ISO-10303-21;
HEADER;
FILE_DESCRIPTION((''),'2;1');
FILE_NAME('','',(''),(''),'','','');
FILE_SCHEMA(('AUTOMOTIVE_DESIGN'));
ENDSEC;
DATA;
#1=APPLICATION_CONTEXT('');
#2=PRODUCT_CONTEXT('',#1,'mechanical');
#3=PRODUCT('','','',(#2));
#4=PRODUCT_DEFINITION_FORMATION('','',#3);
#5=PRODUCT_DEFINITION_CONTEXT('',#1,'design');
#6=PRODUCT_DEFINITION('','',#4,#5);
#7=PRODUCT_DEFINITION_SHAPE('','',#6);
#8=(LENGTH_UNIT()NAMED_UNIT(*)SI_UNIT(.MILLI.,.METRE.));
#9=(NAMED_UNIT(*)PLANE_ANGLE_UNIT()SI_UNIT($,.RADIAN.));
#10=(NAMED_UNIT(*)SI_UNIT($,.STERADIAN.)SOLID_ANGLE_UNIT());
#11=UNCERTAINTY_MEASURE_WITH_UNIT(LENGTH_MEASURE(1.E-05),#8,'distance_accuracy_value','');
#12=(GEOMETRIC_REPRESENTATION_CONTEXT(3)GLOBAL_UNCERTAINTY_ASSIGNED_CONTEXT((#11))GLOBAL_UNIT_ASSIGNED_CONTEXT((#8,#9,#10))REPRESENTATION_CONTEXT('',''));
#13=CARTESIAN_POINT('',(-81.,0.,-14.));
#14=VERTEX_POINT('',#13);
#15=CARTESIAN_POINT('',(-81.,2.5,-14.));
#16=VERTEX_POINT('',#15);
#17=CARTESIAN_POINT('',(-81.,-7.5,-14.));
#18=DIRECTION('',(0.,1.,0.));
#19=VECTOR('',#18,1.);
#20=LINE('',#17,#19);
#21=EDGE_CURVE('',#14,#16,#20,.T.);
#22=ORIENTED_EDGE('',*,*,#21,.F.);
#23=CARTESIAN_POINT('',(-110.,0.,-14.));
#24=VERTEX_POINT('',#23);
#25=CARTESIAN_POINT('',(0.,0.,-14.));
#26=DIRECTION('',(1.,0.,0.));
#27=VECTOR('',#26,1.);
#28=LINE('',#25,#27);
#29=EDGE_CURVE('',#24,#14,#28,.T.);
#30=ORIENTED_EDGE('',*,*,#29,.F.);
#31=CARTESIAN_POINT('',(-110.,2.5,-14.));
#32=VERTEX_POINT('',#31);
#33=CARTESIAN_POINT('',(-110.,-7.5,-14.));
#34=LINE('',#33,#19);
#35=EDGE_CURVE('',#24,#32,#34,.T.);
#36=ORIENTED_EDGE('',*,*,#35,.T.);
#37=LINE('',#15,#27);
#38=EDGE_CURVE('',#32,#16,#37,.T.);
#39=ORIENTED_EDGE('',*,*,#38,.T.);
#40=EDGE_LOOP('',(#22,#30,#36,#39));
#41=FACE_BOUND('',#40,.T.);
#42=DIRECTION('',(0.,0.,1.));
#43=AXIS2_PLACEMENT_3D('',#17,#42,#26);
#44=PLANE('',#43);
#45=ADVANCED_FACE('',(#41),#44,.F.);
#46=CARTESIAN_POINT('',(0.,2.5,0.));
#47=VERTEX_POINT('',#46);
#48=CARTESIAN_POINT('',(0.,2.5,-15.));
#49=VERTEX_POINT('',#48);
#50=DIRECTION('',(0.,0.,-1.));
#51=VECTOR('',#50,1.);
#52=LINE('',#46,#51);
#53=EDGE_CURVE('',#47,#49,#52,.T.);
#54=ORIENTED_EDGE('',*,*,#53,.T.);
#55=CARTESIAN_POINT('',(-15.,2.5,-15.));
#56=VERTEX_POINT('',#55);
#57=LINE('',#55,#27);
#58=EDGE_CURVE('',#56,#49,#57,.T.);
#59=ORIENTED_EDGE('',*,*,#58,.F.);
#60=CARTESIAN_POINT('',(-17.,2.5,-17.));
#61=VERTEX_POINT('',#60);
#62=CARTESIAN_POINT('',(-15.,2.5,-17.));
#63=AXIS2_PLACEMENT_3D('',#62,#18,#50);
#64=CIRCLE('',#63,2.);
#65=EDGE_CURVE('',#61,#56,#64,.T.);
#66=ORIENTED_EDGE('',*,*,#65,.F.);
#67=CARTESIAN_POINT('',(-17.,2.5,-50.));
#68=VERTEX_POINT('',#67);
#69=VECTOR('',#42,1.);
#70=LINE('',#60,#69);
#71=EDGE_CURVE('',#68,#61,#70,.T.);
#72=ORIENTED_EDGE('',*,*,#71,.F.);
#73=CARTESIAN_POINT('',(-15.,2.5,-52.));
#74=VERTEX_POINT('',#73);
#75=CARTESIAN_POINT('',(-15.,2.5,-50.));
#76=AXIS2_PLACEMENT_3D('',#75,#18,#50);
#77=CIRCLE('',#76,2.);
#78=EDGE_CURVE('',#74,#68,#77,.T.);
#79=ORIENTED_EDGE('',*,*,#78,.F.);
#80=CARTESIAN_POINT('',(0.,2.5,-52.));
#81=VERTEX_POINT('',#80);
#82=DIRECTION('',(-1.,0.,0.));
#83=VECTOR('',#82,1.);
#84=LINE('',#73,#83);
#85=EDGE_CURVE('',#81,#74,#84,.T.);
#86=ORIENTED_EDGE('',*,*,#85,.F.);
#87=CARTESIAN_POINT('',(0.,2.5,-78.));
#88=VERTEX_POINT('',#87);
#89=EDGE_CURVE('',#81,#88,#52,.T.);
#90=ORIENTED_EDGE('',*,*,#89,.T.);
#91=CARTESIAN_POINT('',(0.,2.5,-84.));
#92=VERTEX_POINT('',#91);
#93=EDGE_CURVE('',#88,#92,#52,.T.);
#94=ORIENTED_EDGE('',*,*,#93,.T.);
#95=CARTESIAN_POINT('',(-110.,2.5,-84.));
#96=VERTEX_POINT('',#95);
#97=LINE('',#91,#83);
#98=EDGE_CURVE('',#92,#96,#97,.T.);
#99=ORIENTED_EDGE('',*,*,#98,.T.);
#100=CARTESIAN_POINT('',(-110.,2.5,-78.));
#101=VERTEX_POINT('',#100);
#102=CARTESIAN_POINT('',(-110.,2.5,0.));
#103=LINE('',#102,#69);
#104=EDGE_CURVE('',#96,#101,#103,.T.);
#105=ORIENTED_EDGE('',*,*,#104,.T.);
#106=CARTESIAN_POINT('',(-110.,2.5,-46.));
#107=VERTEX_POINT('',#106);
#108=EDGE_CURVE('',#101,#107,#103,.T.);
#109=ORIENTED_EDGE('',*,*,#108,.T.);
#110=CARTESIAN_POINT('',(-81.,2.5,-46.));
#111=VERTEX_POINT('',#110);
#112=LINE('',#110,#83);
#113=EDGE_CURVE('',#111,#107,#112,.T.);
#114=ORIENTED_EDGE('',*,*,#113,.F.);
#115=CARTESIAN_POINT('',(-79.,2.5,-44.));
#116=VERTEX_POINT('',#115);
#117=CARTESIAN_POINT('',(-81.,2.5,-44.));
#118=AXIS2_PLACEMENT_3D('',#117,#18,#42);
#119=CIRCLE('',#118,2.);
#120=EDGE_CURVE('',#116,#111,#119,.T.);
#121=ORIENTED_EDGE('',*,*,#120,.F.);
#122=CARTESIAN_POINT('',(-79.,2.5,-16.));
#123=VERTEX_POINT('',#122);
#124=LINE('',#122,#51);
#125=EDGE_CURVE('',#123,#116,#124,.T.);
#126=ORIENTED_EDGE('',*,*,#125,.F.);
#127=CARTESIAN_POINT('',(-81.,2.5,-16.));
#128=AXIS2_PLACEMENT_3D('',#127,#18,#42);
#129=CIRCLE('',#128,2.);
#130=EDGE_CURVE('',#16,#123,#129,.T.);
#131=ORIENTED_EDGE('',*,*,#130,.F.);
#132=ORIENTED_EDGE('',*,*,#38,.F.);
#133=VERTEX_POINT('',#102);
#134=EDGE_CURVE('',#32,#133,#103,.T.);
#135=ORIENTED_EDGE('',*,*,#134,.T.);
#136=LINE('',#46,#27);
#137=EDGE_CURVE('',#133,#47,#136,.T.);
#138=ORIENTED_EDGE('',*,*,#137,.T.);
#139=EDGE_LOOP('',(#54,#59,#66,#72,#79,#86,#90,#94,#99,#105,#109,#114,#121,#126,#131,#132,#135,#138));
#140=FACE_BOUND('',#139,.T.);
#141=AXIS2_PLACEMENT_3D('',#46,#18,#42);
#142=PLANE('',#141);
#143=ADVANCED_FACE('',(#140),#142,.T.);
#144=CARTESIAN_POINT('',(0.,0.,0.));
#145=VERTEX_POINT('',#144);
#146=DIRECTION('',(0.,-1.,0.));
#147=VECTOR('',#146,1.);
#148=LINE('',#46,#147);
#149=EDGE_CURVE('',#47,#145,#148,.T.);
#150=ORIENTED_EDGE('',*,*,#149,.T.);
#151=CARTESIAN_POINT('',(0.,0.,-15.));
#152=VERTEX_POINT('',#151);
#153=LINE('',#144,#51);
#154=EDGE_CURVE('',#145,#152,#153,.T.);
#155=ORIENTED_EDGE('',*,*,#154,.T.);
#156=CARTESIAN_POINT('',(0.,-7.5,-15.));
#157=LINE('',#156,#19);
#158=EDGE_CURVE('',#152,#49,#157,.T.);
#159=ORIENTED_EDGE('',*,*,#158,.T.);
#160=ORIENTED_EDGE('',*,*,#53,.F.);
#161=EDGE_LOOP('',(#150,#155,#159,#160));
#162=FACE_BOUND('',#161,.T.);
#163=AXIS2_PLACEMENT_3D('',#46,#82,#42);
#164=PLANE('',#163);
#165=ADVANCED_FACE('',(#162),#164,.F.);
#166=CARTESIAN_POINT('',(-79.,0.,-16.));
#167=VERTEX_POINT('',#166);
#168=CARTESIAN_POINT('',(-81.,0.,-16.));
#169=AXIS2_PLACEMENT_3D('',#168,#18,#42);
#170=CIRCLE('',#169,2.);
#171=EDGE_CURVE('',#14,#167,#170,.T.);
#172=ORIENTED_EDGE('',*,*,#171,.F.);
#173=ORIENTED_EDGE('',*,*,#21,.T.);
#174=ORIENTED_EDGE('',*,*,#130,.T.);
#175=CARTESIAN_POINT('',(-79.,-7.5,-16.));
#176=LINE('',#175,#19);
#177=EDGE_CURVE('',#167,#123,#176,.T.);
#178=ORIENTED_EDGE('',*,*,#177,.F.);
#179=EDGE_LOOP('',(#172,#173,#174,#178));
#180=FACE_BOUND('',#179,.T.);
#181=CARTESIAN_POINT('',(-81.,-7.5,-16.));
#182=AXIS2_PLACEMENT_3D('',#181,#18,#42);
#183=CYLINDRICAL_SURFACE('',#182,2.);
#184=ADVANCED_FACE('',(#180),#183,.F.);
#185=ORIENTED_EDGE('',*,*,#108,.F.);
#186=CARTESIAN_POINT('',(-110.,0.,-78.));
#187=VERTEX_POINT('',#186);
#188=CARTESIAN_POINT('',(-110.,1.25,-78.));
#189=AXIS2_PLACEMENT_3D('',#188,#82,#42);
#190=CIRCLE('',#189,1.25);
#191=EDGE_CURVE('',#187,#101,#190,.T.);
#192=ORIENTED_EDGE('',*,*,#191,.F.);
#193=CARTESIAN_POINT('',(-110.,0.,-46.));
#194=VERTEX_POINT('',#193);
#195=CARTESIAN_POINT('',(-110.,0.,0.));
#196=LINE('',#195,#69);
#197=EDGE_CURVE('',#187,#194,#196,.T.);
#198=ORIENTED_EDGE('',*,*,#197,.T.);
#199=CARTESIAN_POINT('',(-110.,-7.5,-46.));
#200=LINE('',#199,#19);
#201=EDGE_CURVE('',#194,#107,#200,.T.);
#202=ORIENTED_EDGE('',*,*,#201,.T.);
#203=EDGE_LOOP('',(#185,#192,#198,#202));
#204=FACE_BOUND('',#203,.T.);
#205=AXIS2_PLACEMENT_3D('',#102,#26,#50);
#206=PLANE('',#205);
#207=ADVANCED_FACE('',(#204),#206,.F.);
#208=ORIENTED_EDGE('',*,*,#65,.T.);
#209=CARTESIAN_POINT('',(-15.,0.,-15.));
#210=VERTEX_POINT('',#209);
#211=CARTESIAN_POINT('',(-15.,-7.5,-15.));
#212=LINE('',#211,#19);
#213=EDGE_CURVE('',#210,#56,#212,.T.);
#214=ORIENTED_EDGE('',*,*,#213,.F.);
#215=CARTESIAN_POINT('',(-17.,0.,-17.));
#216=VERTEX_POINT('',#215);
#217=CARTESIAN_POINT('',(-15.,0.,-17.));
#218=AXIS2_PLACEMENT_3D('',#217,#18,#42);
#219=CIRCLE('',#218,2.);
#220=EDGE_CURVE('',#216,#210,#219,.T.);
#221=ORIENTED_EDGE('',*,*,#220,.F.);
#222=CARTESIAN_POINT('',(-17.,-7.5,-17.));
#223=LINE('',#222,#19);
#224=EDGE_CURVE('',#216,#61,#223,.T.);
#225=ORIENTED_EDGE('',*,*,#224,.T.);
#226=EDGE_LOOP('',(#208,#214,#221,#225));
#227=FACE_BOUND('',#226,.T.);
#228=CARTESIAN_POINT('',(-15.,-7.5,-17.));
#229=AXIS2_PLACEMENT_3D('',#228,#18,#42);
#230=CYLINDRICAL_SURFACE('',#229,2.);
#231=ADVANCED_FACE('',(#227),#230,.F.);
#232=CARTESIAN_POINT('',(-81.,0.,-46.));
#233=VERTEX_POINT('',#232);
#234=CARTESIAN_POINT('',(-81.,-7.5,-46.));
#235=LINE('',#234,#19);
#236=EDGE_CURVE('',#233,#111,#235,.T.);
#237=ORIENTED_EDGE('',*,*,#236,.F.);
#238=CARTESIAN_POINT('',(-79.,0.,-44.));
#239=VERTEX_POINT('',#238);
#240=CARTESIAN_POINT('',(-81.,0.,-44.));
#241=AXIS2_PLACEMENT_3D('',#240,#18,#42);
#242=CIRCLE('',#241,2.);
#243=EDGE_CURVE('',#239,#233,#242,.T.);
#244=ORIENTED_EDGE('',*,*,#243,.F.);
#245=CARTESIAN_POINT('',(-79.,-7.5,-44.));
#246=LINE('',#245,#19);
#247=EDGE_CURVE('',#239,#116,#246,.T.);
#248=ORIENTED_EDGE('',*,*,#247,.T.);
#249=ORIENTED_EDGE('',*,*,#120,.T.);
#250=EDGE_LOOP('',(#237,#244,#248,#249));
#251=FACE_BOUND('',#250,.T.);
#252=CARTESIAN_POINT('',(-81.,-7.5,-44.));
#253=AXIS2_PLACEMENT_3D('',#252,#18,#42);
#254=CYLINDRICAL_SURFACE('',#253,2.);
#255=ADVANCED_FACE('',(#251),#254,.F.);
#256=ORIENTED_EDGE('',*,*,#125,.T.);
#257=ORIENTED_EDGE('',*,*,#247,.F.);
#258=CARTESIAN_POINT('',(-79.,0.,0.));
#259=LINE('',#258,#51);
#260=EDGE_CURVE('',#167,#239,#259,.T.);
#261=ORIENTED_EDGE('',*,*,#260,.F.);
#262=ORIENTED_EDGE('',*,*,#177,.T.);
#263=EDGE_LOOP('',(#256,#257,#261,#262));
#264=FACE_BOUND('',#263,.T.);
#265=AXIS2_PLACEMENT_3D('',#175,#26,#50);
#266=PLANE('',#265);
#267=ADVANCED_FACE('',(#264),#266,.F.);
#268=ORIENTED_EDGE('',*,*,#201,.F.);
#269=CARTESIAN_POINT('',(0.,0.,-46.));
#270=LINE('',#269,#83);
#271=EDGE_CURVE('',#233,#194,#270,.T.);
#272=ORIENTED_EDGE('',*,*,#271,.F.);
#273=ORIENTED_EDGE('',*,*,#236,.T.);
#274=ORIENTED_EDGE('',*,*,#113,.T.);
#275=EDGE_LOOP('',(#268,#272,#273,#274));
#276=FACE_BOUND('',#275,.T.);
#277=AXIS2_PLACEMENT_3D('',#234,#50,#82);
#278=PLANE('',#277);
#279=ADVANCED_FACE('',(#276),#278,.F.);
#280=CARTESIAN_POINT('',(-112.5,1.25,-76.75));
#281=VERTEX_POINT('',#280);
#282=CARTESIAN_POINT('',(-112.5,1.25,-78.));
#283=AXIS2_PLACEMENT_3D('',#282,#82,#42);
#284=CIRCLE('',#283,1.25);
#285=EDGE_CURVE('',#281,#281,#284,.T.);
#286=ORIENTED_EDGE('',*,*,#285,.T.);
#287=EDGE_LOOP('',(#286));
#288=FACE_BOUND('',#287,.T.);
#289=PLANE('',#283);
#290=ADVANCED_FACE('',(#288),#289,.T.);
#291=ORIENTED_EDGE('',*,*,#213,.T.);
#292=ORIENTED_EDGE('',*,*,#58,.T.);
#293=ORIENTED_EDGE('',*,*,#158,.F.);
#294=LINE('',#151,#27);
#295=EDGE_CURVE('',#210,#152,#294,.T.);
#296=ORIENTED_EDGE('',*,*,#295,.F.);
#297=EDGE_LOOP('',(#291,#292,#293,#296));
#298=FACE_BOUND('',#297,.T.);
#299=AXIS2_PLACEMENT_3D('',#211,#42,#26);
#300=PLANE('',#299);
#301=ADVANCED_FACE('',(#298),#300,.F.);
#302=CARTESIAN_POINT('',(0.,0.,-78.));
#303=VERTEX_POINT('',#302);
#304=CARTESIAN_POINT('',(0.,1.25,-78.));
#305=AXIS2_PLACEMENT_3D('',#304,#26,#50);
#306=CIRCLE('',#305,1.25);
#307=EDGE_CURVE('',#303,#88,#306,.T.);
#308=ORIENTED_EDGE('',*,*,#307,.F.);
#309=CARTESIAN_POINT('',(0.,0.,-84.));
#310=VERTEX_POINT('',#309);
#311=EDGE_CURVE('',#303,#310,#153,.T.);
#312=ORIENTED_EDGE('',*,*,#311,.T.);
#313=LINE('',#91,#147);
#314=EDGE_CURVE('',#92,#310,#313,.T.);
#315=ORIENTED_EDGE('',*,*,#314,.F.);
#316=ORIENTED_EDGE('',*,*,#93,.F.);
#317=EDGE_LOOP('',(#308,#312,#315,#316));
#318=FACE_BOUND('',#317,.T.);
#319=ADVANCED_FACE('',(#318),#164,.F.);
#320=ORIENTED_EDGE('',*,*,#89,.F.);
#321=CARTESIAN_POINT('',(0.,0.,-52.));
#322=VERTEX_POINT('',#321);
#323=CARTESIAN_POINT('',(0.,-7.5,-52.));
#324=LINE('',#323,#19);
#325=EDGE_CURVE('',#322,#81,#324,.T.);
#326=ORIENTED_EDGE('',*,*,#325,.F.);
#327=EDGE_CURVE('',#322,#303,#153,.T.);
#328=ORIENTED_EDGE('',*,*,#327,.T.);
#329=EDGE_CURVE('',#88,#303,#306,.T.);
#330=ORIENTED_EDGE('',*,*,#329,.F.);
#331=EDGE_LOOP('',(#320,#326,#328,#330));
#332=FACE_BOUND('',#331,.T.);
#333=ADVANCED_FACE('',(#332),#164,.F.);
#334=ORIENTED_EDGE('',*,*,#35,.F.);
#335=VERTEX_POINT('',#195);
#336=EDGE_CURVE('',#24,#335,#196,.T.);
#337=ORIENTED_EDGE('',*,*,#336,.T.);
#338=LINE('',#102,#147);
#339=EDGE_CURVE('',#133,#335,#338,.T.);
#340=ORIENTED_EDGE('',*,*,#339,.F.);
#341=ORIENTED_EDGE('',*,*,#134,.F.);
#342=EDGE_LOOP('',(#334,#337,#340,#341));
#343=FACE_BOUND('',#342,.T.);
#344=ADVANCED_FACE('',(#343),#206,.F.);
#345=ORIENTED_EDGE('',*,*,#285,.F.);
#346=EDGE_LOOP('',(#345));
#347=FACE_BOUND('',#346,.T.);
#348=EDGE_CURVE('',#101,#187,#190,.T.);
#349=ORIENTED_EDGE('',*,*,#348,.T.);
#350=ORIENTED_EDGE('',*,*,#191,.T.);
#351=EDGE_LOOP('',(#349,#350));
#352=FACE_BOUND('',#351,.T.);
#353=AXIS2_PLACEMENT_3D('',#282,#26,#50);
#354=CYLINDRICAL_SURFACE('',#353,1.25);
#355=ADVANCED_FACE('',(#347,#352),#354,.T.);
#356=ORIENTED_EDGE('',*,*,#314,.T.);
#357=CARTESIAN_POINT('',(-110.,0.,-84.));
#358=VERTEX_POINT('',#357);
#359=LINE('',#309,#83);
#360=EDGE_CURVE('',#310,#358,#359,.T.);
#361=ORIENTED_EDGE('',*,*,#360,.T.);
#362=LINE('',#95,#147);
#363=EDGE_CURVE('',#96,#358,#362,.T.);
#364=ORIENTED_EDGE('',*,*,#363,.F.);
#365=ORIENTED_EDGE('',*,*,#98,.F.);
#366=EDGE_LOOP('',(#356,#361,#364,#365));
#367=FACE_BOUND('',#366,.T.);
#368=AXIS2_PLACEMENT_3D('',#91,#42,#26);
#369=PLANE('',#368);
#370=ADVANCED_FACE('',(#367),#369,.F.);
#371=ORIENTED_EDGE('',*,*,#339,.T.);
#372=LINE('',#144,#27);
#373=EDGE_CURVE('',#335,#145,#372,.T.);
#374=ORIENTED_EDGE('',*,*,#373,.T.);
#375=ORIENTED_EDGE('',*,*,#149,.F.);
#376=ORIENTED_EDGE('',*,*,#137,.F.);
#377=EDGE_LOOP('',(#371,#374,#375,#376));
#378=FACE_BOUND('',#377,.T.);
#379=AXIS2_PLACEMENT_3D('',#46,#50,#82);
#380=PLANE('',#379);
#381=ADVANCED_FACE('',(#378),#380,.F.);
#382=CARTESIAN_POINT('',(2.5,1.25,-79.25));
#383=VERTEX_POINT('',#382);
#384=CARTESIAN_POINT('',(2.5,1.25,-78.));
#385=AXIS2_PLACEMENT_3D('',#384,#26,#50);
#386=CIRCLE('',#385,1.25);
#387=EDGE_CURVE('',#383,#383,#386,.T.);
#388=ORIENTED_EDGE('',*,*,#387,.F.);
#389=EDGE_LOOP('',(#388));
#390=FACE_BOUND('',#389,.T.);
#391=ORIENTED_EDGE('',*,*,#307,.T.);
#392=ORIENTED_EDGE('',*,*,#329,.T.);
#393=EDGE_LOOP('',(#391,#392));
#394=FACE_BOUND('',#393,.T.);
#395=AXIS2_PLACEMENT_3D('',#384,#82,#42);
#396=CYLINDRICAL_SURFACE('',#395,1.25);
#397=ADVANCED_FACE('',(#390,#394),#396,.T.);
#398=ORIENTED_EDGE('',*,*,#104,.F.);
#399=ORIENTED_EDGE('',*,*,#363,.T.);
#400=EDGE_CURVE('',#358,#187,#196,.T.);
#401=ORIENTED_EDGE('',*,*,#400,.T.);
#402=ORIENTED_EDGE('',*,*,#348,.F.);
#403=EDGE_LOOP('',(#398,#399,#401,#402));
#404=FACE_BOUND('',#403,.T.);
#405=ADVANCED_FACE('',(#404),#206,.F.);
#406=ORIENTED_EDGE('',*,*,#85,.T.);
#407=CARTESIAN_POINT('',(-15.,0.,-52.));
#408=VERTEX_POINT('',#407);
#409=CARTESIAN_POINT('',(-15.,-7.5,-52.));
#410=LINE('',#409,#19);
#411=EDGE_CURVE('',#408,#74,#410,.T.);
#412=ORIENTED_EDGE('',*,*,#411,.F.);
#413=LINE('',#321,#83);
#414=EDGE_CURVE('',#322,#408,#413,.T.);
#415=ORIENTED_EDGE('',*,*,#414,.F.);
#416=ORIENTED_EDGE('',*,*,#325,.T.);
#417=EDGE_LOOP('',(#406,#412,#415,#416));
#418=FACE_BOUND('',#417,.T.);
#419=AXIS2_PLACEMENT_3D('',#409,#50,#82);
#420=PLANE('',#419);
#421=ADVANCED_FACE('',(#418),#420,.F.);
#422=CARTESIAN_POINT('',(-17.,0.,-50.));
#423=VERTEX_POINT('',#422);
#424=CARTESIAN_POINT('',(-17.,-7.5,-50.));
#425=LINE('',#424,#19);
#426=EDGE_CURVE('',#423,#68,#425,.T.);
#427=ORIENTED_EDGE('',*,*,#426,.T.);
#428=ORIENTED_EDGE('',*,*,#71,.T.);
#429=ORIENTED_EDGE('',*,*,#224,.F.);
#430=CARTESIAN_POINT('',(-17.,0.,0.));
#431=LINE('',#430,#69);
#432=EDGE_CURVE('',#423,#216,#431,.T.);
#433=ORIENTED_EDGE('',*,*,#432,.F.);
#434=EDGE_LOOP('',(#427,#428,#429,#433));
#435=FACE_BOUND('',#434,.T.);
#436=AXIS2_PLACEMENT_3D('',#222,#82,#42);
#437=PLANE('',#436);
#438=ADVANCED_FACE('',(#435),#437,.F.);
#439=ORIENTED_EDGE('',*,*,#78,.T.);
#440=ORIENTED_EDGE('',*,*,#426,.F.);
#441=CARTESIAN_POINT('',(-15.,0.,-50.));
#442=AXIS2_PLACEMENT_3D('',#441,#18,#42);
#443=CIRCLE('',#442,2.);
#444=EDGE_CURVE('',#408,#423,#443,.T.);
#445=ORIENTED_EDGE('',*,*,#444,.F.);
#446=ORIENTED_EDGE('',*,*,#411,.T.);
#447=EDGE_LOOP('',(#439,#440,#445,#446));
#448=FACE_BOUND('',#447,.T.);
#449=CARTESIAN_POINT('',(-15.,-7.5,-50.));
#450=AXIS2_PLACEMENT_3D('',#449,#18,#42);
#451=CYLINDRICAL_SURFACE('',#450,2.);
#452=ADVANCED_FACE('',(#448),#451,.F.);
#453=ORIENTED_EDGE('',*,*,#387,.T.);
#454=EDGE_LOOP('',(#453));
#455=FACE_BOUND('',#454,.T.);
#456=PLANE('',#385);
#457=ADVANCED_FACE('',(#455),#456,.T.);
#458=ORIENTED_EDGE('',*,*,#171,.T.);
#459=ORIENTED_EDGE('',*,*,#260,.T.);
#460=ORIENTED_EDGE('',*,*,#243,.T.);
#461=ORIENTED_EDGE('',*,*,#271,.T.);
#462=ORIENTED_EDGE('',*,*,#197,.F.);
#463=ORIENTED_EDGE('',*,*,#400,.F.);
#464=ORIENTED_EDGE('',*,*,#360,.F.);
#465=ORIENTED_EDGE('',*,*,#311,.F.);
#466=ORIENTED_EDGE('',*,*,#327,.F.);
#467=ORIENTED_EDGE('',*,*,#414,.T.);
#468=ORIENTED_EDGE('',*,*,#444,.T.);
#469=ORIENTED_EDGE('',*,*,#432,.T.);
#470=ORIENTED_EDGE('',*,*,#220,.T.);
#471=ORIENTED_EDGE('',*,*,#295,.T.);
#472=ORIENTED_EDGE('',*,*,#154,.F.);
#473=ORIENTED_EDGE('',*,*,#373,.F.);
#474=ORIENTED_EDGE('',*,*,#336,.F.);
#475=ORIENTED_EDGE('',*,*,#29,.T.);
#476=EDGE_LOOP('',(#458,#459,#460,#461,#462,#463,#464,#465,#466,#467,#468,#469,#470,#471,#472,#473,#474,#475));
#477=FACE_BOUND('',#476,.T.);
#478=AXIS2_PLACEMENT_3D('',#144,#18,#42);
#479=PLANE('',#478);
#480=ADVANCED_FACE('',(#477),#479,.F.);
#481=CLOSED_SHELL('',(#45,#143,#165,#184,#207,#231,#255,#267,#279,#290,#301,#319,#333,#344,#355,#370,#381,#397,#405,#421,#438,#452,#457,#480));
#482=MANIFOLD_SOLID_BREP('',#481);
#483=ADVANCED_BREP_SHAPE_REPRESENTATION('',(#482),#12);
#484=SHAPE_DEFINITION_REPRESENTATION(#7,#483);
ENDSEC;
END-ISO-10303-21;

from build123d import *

# Parameters (mm, degrees)
CROQUIS1_W              = 110
CROQUIS1_H              = 84
SALIENTE_EXTRUIR1_DEPTH = 2.5
CROQUIS2_R              = 1.25
SALIENTE_EXTRUIR2_DEPTH = 2.5
CROQUIS3_R              = 1.25
SALIENTE_EXTRUIR3_DEPTH = 2.5
CORTAR_EXTRUIR1_DEPTH   = 10


with BuildPart() as part:
    # Croquis1 → Saliente-Extruir1 (new body)
    with BuildSketch(Plane(origin=(0, 0, 0), x_dir=(1, 0, 0), z_dir=(0, 1, 0))):
        with Locations((-55, 42)):
            Rectangle(CROQUIS1_W, CROQUIS1_H)
    extrude(amount=SALIENTE_EXTRUIR1_DEPTH)

    # Croquis2 → Saliente-Extruir2 (add)
    with BuildSketch(Plane(origin=(0, 0, 0), x_dir=(0, 0, -1), z_dir=(1, 0, 0))):
        with Locations((78, 1.25)):
            Circle(CROQUIS2_R)
    extrude(amount=SALIENTE_EXTRUIR2_DEPTH)

    # Croquis3 → Saliente-Extruir3 (add)
    with BuildSketch(Plane.ZY.offset(110)):
        with Locations((-78, 1.25)):
            Circle(CROQUIS3_R)
    extrude(amount=SALIENTE_EXTRUIR3_DEPTH)

    # Croquis4 → Cortar-Extruir1 (cut)
    with BuildSketch(Plane(origin=(0, 2.5, 0), x_dir=(1, 0, 0), z_dir=(0, 1, 0))):
        with BuildLine():
            Line((-81, 46), (-110, 46))
            Line((-110, 46), (-110, 14))
            Line((-110, 14), (-81, 14))
            ThreePointArc((-81, 14), (-79.585786438, 14.585786438), (-79, 16))
            Line((-79, 16), (-79, 44))
            ThreePointArc((-79, 44), (-79.585786438, 45.414213562), (-81, 46))
        make_face()
        with BuildLine():
            Line((-17, 17), (-17, 50))
            ThreePointArc((-17, 50), (-16.414213562, 51.414213562), (-15, 52))
            Line((-15, 52), (0, 52))
            Line((0, 52), (0, 15))
            Line((0, 15), (-15, 15))
            ThreePointArc((-15, 15), (-16.414213562, 15.585786438), (-17, 17))
        make_face()
    extrude(amount=-CORTAR_EXTRUIR1_DEPTH, mode=Mode.SUBTRACT)


solid = part.part
